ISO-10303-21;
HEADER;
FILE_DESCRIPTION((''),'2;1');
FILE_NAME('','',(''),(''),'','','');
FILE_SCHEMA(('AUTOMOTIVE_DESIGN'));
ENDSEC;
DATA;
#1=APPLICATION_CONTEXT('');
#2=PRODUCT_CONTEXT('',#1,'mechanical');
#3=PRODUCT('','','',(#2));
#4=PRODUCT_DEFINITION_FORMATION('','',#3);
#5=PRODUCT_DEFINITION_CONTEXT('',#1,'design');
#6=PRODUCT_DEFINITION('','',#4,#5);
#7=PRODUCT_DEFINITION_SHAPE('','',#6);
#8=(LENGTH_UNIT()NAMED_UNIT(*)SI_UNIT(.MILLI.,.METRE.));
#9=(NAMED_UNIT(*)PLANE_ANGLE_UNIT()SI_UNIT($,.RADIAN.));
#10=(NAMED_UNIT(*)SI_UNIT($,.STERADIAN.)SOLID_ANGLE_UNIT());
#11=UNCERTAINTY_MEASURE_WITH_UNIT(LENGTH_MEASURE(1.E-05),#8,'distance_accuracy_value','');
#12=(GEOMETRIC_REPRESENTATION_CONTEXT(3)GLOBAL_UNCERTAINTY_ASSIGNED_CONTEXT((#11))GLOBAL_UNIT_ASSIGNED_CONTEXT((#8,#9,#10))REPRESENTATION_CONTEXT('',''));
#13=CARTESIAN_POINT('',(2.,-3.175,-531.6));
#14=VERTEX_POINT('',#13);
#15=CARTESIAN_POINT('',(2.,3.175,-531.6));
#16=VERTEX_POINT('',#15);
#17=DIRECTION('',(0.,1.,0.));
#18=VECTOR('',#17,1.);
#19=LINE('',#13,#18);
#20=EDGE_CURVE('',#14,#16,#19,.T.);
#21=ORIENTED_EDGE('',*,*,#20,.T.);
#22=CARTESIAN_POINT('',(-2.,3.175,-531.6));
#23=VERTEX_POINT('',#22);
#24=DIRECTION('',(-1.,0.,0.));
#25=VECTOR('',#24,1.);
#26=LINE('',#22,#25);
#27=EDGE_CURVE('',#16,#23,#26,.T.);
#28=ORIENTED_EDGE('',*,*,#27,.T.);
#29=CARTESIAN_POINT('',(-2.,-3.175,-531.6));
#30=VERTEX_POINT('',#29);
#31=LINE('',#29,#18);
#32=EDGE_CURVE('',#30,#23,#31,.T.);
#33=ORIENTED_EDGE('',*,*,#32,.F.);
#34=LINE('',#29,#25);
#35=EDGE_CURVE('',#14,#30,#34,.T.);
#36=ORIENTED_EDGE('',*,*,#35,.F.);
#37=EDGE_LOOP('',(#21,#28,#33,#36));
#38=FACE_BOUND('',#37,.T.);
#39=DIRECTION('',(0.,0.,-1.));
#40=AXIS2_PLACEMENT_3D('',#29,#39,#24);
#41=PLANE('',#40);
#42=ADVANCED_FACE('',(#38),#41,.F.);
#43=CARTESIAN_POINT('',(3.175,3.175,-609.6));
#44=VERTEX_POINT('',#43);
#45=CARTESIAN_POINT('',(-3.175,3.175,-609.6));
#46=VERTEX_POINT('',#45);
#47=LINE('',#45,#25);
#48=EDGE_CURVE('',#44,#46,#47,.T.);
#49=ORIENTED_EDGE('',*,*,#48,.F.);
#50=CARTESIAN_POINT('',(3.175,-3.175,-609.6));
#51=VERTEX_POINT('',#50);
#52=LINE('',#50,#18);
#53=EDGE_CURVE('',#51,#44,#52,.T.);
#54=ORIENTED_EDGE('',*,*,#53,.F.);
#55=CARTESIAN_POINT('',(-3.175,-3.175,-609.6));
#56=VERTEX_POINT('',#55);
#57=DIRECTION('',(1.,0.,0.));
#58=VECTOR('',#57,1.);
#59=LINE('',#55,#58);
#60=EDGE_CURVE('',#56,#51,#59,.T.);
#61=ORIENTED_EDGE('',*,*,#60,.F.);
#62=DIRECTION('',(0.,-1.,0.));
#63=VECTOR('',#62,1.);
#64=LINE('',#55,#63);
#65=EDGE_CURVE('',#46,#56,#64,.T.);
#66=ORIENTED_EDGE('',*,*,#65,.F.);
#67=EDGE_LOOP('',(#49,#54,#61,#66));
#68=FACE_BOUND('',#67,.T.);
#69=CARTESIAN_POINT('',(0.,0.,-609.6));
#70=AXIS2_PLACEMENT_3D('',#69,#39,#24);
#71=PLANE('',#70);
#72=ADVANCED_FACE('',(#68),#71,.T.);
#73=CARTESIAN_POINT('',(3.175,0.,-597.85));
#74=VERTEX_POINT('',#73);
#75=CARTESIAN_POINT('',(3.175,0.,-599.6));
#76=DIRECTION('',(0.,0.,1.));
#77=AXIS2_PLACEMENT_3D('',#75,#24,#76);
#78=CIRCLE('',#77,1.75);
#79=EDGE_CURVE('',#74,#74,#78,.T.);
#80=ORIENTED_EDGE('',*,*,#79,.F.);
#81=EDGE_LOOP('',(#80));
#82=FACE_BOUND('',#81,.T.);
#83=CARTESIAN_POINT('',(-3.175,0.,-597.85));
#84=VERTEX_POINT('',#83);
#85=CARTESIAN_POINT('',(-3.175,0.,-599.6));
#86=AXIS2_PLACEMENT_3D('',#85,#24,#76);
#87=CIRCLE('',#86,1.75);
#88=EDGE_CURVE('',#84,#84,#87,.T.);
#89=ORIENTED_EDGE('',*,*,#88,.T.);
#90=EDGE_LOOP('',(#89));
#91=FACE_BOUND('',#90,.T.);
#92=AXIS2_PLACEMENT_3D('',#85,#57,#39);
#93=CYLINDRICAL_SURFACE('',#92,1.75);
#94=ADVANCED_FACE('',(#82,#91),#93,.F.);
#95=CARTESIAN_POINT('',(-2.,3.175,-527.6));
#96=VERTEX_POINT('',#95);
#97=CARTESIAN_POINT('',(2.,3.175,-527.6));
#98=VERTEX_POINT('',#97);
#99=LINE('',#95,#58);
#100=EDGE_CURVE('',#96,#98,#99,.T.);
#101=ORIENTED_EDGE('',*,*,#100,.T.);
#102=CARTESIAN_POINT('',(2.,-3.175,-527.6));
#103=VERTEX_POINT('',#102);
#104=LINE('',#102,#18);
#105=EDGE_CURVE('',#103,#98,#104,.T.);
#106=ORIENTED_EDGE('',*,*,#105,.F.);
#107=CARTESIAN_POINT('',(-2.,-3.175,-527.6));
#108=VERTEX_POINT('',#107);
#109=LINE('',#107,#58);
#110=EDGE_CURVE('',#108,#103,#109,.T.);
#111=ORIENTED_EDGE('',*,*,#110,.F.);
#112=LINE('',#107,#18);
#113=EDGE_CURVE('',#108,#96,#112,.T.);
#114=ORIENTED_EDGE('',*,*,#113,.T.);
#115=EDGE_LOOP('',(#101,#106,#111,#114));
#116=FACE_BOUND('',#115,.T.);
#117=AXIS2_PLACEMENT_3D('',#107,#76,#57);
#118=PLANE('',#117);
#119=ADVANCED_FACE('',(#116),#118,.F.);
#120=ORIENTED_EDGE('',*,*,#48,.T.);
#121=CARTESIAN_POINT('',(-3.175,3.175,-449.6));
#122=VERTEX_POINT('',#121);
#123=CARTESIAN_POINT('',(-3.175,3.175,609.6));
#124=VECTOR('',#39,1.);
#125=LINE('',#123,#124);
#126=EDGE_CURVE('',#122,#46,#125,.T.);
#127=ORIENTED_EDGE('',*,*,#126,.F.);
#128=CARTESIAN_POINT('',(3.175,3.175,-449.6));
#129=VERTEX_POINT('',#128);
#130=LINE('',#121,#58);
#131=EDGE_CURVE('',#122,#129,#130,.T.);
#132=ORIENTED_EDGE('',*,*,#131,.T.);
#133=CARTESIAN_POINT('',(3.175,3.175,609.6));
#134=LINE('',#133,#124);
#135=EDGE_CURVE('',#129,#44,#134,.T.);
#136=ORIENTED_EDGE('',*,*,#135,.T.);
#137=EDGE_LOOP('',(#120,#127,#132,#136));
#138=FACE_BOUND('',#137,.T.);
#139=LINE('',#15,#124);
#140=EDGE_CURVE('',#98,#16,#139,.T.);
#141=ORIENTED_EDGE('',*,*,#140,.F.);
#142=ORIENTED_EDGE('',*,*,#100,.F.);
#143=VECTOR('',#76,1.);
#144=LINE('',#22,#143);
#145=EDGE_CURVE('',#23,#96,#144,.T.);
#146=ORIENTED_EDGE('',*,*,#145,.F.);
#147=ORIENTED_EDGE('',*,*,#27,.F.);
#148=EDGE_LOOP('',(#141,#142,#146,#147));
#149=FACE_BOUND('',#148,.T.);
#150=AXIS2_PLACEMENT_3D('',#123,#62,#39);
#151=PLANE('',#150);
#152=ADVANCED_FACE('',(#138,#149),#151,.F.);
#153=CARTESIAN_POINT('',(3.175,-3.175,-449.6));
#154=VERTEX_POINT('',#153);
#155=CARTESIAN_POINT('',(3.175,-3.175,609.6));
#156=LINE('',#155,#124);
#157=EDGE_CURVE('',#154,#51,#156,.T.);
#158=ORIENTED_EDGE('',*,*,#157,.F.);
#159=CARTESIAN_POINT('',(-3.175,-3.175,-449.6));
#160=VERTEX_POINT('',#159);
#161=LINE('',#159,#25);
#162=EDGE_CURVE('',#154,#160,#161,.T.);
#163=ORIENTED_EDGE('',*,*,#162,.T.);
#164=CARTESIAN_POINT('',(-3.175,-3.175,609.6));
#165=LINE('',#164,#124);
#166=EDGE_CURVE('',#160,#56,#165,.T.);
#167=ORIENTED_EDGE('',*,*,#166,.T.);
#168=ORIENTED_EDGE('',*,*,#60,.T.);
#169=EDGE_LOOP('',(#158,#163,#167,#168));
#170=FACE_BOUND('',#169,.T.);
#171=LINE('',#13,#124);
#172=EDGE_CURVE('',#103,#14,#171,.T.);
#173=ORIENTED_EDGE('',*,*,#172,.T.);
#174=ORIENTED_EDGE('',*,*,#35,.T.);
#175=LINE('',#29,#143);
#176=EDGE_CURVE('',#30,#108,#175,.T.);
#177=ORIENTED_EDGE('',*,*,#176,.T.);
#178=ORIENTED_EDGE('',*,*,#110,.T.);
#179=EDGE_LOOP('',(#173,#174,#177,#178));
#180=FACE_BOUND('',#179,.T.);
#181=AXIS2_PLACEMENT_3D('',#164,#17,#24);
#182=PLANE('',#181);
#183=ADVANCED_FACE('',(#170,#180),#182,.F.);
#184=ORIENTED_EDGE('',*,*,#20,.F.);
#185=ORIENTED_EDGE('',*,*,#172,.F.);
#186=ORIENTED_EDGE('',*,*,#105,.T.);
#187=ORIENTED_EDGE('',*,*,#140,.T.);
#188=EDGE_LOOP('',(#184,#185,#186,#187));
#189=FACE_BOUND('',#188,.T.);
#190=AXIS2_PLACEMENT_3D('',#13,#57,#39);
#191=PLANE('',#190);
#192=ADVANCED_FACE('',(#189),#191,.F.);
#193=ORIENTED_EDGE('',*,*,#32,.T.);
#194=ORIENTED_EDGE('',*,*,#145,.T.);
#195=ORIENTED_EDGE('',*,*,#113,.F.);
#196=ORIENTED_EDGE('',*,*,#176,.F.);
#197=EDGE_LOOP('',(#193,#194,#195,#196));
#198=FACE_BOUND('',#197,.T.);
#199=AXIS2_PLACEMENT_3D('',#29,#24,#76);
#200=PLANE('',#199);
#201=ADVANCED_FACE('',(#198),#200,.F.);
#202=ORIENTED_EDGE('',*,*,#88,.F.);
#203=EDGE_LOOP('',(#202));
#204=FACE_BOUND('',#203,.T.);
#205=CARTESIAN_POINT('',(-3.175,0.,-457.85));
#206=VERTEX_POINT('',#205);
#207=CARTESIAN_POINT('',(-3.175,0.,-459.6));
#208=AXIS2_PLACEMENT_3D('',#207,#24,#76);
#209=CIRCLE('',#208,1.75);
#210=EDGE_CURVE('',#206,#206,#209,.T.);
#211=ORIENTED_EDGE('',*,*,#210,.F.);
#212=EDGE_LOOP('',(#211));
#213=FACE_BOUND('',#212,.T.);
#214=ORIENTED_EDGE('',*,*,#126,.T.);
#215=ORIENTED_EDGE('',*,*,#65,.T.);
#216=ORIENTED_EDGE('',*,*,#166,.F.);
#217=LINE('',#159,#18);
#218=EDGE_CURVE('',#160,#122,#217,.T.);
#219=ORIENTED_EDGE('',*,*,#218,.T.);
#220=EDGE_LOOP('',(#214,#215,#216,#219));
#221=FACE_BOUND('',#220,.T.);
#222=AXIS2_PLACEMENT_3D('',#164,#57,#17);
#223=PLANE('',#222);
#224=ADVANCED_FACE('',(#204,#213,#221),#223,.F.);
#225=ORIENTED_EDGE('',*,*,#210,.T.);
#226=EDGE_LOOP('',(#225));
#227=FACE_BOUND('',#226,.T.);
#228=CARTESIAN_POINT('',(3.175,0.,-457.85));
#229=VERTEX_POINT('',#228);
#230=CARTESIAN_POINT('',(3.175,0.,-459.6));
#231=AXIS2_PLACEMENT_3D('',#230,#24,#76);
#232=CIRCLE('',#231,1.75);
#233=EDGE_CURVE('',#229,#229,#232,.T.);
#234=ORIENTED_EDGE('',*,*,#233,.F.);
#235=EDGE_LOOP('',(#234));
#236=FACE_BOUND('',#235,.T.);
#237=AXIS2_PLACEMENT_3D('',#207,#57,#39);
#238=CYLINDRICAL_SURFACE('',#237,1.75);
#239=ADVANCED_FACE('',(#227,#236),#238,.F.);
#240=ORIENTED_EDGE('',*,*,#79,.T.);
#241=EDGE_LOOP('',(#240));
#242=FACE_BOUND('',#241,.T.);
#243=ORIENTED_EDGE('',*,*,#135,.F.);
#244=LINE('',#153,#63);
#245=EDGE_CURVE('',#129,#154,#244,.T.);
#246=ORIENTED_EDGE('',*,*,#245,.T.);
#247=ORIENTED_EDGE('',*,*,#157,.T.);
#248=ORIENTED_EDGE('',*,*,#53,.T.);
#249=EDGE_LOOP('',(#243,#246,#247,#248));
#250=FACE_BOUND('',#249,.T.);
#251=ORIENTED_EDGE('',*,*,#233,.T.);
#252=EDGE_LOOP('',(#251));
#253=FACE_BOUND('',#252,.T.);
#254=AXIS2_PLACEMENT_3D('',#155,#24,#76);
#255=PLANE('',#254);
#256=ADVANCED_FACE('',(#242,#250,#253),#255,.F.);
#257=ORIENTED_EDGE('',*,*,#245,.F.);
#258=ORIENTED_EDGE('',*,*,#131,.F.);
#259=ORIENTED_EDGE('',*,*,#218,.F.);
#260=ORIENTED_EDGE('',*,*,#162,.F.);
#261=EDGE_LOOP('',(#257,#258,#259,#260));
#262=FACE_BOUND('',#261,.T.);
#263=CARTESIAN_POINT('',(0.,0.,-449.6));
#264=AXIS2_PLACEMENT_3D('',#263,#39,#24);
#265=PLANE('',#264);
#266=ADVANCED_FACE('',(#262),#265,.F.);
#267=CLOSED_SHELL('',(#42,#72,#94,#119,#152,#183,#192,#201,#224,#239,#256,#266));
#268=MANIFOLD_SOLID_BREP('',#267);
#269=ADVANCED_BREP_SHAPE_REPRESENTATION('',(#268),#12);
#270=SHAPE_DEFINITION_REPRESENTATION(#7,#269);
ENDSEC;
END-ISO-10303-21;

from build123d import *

# Parameters (mm, degrees)
BOSS_EXTRUDE1_DEPTH      = 609.6
BOSS_EXTRUDE1_DEPTH_BACK = 609.6
SKETCH3_W                = 6.35
SKETCH3_H                = 6.35
SKETCH4_W                = 7.35
SKETCH4_H                = 7.35
CUT_EXTRUDE1_DEPTH       = 1060.209517164
SKETCH5_R                = 1.75
CUT_EXTRUDE2_DEPTH       = 610.641339744
SKETCH6_W                = 4
SKETCH6_H                = 4
CUT_EXTRUDE3_DEPTH       = 610.641339744


with BuildPart() as part:
    # Sketch3 → Boss-Extrude1 (new, two sides: drawn at the far end of the back side and taken through both)
    with BuildSketch(Plane.XY.offset(-BOSS_EXTRUDE1_DEPTH_BACK)):
        Rectangle(SKETCH3_W, SKETCH3_H)
    extrude(amount=BOSS_EXTRUDE1_DEPTH + BOSS_EXTRUDE1_DEPTH_BACK)

    # Sketch4 → Cut-Extrude1 (cut, through all)
    with BuildSketch(Plane(origin=(0, 0, -449.6), x_dir=(-1, 0, 0), z_dir=(0, 0, -1))):
        Rectangle(SKETCH4_W, SKETCH4_H)
    extrude(amount=-CUT_EXTRUDE1_DEPTH, mode=Mode.SUBTRACT)

    # Sketch5 → Cut-Extrude2 (cut, through all)
    with BuildSketch(Plane(origin=(3.175, 0, 0), x_dir=(0, 1, 0), z_dir=(-1, 0, 0))):
        with Locations(Location((0, 599.6, 0), (0, 0, 270))):
            Circle(SKETCH5_R)
        with Locations(Location((0, 459.6, 0), (0, 0, 270))):
            Circle(SKETCH5_R)
    extrude(amount=CUT_EXTRUDE2_DEPTH, mode=Mode.SUBTRACT)

    # Sketch6 → Cut-Extrude3 (cut, through all)
    with BuildSketch(Plane(origin=(0, 3.175, 0), x_dir=(1, 0, 0), z_dir=(0, 1, 0))):
        with Locations((0, 529.6)):
            Rectangle(SKETCH6_W, SKETCH6_H)
    extrude(amount=-CUT_EXTRUDE3_DEPTH, mode=Mode.SUBTRACT)


solid = part.part
